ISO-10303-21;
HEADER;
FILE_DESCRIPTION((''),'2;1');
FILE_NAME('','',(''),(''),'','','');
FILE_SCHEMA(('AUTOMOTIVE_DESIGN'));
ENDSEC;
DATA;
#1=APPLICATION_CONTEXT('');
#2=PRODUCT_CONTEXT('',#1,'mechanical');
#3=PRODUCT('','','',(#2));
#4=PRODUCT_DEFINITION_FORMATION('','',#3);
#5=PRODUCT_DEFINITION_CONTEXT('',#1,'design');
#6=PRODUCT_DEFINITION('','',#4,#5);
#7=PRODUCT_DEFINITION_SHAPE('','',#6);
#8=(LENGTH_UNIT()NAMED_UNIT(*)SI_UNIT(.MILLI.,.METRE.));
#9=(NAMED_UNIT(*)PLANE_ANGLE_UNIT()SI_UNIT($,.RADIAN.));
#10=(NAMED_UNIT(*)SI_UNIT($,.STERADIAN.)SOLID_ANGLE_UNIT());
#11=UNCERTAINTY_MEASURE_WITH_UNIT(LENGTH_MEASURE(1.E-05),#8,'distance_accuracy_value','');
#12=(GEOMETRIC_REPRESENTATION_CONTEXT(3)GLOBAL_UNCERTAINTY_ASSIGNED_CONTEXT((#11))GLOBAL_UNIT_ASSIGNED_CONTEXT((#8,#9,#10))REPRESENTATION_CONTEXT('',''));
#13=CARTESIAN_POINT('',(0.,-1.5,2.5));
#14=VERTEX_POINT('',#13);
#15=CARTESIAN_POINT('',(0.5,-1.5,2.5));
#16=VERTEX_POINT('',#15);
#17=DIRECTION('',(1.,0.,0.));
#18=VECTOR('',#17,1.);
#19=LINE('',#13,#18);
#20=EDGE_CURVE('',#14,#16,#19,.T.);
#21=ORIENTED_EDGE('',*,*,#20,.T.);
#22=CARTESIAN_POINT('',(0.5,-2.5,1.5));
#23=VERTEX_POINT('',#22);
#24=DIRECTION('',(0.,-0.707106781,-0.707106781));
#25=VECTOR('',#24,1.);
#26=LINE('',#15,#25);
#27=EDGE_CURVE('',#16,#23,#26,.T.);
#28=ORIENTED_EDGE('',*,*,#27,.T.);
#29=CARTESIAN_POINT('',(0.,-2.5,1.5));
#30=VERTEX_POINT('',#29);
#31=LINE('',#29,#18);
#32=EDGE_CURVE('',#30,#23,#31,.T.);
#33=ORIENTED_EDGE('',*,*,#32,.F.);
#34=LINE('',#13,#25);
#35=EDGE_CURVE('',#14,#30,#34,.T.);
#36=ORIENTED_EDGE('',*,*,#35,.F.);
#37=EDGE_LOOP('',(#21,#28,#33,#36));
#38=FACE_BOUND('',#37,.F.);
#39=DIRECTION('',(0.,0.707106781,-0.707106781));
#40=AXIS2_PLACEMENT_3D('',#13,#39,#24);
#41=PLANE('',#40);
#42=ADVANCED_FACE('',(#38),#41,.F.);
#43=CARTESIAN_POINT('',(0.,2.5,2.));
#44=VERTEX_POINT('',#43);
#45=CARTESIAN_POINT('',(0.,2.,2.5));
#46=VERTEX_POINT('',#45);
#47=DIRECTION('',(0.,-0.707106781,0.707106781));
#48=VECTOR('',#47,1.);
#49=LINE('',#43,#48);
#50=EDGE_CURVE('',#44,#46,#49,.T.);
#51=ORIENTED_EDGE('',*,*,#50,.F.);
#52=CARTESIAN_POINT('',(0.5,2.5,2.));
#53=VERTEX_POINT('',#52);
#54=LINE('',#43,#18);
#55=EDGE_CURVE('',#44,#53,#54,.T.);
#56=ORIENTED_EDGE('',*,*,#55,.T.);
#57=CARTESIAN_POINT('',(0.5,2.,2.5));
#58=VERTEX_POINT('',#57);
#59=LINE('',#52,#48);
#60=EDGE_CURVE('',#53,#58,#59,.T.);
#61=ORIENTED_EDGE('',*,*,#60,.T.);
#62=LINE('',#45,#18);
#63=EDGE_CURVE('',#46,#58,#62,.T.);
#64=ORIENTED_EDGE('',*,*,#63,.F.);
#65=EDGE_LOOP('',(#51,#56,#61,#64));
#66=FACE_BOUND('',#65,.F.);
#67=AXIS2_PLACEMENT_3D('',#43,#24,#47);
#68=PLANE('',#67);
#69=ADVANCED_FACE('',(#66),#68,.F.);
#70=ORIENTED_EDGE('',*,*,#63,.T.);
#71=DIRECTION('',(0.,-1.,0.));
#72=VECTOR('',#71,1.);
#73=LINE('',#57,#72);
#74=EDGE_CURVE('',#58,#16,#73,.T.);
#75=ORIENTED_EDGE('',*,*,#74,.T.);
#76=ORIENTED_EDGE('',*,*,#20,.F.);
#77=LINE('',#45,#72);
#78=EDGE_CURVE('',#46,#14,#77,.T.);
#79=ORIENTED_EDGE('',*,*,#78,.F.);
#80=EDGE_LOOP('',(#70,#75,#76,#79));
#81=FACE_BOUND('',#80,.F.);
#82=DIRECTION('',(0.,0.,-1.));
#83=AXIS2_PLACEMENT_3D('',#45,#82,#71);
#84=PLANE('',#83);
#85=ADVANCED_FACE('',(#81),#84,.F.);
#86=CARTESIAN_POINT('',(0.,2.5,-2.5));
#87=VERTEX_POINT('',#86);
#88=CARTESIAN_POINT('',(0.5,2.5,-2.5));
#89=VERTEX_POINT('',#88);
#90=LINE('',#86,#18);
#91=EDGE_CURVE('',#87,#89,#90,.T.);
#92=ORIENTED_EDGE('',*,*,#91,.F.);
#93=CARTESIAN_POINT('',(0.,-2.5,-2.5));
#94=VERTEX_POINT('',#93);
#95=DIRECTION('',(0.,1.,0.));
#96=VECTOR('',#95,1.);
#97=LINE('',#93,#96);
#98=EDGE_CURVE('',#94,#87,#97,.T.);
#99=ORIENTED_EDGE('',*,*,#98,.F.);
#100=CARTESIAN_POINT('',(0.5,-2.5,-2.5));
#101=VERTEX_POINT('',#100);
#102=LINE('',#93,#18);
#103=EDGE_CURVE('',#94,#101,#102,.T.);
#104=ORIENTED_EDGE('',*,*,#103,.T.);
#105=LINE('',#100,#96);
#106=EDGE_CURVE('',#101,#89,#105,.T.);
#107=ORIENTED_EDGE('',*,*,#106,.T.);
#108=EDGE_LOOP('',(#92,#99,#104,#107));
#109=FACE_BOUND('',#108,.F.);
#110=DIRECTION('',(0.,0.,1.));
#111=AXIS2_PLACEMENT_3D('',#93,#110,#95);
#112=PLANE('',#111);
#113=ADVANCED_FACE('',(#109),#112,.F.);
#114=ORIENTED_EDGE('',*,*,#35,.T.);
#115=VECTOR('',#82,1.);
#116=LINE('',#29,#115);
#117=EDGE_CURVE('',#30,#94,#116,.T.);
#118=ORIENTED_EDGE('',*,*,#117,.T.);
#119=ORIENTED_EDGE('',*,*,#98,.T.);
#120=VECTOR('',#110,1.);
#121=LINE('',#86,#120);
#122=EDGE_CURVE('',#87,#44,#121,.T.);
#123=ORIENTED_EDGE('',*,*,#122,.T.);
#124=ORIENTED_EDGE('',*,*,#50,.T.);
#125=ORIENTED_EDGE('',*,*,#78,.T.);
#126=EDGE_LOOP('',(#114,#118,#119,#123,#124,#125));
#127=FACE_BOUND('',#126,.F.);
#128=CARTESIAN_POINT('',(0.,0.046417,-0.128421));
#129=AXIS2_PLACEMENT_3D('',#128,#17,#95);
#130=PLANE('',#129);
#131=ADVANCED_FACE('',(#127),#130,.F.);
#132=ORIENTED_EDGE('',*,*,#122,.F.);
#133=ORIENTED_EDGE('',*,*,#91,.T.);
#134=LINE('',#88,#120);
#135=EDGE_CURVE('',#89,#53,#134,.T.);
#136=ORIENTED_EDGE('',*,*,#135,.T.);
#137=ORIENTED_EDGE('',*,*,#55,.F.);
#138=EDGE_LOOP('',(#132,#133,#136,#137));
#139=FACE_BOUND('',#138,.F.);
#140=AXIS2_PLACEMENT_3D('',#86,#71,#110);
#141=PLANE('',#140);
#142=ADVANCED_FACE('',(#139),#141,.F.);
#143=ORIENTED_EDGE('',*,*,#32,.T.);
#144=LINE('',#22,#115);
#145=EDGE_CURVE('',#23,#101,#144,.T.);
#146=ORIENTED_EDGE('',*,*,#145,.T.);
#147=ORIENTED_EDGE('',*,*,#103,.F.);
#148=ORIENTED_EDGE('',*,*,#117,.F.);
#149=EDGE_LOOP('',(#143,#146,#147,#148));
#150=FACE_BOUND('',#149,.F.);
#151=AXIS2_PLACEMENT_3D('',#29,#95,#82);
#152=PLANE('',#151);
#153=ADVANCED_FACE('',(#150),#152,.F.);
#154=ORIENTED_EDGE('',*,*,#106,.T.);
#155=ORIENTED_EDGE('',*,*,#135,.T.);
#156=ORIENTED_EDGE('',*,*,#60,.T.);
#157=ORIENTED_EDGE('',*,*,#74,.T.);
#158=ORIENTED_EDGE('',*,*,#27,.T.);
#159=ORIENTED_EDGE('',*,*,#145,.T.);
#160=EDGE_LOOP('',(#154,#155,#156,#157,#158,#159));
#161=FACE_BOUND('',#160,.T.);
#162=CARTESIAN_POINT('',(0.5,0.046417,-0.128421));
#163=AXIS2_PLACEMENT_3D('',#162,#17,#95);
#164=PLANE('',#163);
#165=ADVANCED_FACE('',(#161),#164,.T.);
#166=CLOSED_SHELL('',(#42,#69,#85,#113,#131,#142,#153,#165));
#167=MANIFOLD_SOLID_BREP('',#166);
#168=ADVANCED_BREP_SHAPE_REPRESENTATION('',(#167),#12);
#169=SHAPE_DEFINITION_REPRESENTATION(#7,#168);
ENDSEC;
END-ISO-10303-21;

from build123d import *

# Parameters (mm, degrees)
PAD_DEPTH = 0.5


with BuildPart() as part:
    # Sketch (on YZ_Plane of Origin) → Pad (new body)
    with BuildSketch(Plane.YZ):
        Polygon((-2.5, -2.5), (2.5, -2.5), (2.5, 2), (2, 2.5), (-1.5, 2.5), (-2.5, 1.5), align=None)
    extrude(amount=PAD_DEPTH)


solid = part.part
